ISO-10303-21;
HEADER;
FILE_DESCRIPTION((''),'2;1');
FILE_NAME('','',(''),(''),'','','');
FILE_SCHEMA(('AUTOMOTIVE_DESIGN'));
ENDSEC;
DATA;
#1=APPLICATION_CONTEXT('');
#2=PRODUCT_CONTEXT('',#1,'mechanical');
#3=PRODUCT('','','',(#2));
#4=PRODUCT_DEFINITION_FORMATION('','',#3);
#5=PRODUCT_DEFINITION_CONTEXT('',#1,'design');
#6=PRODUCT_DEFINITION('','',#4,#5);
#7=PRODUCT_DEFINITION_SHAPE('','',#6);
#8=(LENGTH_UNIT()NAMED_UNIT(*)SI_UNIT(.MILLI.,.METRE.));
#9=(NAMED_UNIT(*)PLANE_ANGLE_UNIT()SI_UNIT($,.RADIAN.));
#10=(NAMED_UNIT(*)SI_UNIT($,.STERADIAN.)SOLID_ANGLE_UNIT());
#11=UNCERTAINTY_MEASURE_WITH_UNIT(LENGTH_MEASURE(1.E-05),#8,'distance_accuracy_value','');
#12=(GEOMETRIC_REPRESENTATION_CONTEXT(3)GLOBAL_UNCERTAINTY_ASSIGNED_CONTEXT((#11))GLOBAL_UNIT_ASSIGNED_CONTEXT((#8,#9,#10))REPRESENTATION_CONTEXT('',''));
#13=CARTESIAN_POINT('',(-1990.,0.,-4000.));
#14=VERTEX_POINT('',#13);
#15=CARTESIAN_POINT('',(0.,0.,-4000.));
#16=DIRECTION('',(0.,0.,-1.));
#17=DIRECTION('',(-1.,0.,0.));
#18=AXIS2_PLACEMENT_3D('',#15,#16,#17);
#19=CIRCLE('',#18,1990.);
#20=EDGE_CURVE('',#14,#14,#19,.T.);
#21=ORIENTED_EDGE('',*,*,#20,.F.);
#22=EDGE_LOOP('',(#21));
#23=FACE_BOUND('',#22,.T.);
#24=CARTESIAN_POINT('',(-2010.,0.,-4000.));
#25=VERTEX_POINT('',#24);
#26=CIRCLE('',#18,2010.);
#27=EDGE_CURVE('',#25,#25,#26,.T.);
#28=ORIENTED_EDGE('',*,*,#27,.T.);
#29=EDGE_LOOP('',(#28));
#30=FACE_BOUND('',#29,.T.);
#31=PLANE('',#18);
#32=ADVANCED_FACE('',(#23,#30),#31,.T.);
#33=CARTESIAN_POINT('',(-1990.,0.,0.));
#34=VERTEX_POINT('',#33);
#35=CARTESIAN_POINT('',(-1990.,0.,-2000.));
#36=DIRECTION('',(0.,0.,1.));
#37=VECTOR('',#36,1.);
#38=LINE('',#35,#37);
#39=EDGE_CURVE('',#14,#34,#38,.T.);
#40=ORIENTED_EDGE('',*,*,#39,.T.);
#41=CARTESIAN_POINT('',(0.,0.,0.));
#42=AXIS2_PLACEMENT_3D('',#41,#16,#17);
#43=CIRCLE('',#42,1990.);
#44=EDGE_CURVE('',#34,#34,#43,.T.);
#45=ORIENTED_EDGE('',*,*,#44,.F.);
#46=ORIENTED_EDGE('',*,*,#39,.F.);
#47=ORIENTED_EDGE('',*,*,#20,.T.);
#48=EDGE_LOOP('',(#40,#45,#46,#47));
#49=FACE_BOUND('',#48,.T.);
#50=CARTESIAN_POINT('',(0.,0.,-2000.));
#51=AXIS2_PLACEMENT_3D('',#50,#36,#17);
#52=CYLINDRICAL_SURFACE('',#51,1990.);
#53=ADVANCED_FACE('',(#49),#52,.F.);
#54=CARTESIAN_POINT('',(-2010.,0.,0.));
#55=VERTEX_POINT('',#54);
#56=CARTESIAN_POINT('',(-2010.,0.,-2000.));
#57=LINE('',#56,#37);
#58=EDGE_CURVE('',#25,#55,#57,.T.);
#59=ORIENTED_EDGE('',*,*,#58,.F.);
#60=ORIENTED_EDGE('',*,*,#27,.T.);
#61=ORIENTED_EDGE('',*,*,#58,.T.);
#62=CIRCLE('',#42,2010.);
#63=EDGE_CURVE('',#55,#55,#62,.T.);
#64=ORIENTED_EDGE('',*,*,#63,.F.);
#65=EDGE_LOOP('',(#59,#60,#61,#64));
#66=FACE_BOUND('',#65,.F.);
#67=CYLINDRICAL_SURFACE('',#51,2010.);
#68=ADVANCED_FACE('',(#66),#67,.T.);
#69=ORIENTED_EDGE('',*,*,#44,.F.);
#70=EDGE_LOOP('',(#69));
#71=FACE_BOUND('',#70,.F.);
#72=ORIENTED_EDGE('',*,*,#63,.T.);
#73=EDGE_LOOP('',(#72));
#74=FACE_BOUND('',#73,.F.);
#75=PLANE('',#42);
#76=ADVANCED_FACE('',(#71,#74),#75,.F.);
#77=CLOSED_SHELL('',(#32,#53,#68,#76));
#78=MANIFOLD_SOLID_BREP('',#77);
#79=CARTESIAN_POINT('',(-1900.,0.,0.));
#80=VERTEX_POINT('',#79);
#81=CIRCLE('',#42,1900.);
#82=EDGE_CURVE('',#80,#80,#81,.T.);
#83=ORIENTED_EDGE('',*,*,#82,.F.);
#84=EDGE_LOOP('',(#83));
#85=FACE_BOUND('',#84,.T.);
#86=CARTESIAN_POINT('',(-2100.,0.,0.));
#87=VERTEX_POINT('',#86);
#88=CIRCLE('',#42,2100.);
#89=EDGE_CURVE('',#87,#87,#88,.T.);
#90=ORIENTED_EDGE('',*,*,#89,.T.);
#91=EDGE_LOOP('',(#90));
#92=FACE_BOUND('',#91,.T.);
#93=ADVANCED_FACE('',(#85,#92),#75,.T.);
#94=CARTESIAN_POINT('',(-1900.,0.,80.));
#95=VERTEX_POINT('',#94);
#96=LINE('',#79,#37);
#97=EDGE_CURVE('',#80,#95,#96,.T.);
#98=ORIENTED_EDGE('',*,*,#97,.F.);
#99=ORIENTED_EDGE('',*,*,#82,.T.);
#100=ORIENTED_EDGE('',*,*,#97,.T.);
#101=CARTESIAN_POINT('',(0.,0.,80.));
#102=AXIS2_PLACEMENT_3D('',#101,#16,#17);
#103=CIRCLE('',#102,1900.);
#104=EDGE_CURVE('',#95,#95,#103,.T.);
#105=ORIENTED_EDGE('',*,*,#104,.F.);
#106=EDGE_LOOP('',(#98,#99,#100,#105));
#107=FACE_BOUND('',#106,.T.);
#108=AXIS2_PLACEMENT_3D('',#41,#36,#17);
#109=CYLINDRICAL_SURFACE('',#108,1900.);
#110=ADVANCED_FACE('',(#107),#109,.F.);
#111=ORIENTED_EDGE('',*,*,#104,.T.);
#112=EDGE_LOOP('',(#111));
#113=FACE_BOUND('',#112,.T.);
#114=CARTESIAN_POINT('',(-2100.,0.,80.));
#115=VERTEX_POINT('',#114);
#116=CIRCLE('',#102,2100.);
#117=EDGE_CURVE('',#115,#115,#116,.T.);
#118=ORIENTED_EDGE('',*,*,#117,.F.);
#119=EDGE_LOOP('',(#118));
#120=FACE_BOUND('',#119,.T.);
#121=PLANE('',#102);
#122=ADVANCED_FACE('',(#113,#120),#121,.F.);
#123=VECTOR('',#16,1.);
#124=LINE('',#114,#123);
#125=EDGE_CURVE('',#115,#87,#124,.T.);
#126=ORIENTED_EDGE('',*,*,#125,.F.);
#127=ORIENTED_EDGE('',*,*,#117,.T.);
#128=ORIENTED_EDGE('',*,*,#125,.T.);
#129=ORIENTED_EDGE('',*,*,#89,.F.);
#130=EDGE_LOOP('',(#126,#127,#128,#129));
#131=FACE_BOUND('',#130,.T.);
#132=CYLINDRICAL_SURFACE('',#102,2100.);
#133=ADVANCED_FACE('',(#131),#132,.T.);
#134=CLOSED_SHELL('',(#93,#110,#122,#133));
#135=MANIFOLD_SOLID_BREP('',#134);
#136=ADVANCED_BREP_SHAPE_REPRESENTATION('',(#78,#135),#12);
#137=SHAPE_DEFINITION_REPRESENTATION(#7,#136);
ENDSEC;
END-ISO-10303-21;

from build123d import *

# Parameters (mm, degrees)
F0_W = 20
F0_H = 4000


with BuildPart() as f1:
    # F0 (on Front) → F1 (revolve)
    with BuildSketch(Plane.XZ):
        Polygon((-2100, 0), (-2010, 0), (-1990, 0), (-1900, 0), (-1900, 80), (-2100, 80), align=None)
    revolve(axis=Axis((0, 0, -250), (0, 0, -1)))


with BuildPart() as f2:
    # F0 (on Front) → F2 (revolve)
    with BuildSketch(Plane.XZ):
        with Locations((-2000, -2000)):
            Rectangle(F0_W, F0_H)
    revolve(axis=Axis((0, 0, -250), (0, 0, -1)))


solid = Compound([f1.part, f2.part])
